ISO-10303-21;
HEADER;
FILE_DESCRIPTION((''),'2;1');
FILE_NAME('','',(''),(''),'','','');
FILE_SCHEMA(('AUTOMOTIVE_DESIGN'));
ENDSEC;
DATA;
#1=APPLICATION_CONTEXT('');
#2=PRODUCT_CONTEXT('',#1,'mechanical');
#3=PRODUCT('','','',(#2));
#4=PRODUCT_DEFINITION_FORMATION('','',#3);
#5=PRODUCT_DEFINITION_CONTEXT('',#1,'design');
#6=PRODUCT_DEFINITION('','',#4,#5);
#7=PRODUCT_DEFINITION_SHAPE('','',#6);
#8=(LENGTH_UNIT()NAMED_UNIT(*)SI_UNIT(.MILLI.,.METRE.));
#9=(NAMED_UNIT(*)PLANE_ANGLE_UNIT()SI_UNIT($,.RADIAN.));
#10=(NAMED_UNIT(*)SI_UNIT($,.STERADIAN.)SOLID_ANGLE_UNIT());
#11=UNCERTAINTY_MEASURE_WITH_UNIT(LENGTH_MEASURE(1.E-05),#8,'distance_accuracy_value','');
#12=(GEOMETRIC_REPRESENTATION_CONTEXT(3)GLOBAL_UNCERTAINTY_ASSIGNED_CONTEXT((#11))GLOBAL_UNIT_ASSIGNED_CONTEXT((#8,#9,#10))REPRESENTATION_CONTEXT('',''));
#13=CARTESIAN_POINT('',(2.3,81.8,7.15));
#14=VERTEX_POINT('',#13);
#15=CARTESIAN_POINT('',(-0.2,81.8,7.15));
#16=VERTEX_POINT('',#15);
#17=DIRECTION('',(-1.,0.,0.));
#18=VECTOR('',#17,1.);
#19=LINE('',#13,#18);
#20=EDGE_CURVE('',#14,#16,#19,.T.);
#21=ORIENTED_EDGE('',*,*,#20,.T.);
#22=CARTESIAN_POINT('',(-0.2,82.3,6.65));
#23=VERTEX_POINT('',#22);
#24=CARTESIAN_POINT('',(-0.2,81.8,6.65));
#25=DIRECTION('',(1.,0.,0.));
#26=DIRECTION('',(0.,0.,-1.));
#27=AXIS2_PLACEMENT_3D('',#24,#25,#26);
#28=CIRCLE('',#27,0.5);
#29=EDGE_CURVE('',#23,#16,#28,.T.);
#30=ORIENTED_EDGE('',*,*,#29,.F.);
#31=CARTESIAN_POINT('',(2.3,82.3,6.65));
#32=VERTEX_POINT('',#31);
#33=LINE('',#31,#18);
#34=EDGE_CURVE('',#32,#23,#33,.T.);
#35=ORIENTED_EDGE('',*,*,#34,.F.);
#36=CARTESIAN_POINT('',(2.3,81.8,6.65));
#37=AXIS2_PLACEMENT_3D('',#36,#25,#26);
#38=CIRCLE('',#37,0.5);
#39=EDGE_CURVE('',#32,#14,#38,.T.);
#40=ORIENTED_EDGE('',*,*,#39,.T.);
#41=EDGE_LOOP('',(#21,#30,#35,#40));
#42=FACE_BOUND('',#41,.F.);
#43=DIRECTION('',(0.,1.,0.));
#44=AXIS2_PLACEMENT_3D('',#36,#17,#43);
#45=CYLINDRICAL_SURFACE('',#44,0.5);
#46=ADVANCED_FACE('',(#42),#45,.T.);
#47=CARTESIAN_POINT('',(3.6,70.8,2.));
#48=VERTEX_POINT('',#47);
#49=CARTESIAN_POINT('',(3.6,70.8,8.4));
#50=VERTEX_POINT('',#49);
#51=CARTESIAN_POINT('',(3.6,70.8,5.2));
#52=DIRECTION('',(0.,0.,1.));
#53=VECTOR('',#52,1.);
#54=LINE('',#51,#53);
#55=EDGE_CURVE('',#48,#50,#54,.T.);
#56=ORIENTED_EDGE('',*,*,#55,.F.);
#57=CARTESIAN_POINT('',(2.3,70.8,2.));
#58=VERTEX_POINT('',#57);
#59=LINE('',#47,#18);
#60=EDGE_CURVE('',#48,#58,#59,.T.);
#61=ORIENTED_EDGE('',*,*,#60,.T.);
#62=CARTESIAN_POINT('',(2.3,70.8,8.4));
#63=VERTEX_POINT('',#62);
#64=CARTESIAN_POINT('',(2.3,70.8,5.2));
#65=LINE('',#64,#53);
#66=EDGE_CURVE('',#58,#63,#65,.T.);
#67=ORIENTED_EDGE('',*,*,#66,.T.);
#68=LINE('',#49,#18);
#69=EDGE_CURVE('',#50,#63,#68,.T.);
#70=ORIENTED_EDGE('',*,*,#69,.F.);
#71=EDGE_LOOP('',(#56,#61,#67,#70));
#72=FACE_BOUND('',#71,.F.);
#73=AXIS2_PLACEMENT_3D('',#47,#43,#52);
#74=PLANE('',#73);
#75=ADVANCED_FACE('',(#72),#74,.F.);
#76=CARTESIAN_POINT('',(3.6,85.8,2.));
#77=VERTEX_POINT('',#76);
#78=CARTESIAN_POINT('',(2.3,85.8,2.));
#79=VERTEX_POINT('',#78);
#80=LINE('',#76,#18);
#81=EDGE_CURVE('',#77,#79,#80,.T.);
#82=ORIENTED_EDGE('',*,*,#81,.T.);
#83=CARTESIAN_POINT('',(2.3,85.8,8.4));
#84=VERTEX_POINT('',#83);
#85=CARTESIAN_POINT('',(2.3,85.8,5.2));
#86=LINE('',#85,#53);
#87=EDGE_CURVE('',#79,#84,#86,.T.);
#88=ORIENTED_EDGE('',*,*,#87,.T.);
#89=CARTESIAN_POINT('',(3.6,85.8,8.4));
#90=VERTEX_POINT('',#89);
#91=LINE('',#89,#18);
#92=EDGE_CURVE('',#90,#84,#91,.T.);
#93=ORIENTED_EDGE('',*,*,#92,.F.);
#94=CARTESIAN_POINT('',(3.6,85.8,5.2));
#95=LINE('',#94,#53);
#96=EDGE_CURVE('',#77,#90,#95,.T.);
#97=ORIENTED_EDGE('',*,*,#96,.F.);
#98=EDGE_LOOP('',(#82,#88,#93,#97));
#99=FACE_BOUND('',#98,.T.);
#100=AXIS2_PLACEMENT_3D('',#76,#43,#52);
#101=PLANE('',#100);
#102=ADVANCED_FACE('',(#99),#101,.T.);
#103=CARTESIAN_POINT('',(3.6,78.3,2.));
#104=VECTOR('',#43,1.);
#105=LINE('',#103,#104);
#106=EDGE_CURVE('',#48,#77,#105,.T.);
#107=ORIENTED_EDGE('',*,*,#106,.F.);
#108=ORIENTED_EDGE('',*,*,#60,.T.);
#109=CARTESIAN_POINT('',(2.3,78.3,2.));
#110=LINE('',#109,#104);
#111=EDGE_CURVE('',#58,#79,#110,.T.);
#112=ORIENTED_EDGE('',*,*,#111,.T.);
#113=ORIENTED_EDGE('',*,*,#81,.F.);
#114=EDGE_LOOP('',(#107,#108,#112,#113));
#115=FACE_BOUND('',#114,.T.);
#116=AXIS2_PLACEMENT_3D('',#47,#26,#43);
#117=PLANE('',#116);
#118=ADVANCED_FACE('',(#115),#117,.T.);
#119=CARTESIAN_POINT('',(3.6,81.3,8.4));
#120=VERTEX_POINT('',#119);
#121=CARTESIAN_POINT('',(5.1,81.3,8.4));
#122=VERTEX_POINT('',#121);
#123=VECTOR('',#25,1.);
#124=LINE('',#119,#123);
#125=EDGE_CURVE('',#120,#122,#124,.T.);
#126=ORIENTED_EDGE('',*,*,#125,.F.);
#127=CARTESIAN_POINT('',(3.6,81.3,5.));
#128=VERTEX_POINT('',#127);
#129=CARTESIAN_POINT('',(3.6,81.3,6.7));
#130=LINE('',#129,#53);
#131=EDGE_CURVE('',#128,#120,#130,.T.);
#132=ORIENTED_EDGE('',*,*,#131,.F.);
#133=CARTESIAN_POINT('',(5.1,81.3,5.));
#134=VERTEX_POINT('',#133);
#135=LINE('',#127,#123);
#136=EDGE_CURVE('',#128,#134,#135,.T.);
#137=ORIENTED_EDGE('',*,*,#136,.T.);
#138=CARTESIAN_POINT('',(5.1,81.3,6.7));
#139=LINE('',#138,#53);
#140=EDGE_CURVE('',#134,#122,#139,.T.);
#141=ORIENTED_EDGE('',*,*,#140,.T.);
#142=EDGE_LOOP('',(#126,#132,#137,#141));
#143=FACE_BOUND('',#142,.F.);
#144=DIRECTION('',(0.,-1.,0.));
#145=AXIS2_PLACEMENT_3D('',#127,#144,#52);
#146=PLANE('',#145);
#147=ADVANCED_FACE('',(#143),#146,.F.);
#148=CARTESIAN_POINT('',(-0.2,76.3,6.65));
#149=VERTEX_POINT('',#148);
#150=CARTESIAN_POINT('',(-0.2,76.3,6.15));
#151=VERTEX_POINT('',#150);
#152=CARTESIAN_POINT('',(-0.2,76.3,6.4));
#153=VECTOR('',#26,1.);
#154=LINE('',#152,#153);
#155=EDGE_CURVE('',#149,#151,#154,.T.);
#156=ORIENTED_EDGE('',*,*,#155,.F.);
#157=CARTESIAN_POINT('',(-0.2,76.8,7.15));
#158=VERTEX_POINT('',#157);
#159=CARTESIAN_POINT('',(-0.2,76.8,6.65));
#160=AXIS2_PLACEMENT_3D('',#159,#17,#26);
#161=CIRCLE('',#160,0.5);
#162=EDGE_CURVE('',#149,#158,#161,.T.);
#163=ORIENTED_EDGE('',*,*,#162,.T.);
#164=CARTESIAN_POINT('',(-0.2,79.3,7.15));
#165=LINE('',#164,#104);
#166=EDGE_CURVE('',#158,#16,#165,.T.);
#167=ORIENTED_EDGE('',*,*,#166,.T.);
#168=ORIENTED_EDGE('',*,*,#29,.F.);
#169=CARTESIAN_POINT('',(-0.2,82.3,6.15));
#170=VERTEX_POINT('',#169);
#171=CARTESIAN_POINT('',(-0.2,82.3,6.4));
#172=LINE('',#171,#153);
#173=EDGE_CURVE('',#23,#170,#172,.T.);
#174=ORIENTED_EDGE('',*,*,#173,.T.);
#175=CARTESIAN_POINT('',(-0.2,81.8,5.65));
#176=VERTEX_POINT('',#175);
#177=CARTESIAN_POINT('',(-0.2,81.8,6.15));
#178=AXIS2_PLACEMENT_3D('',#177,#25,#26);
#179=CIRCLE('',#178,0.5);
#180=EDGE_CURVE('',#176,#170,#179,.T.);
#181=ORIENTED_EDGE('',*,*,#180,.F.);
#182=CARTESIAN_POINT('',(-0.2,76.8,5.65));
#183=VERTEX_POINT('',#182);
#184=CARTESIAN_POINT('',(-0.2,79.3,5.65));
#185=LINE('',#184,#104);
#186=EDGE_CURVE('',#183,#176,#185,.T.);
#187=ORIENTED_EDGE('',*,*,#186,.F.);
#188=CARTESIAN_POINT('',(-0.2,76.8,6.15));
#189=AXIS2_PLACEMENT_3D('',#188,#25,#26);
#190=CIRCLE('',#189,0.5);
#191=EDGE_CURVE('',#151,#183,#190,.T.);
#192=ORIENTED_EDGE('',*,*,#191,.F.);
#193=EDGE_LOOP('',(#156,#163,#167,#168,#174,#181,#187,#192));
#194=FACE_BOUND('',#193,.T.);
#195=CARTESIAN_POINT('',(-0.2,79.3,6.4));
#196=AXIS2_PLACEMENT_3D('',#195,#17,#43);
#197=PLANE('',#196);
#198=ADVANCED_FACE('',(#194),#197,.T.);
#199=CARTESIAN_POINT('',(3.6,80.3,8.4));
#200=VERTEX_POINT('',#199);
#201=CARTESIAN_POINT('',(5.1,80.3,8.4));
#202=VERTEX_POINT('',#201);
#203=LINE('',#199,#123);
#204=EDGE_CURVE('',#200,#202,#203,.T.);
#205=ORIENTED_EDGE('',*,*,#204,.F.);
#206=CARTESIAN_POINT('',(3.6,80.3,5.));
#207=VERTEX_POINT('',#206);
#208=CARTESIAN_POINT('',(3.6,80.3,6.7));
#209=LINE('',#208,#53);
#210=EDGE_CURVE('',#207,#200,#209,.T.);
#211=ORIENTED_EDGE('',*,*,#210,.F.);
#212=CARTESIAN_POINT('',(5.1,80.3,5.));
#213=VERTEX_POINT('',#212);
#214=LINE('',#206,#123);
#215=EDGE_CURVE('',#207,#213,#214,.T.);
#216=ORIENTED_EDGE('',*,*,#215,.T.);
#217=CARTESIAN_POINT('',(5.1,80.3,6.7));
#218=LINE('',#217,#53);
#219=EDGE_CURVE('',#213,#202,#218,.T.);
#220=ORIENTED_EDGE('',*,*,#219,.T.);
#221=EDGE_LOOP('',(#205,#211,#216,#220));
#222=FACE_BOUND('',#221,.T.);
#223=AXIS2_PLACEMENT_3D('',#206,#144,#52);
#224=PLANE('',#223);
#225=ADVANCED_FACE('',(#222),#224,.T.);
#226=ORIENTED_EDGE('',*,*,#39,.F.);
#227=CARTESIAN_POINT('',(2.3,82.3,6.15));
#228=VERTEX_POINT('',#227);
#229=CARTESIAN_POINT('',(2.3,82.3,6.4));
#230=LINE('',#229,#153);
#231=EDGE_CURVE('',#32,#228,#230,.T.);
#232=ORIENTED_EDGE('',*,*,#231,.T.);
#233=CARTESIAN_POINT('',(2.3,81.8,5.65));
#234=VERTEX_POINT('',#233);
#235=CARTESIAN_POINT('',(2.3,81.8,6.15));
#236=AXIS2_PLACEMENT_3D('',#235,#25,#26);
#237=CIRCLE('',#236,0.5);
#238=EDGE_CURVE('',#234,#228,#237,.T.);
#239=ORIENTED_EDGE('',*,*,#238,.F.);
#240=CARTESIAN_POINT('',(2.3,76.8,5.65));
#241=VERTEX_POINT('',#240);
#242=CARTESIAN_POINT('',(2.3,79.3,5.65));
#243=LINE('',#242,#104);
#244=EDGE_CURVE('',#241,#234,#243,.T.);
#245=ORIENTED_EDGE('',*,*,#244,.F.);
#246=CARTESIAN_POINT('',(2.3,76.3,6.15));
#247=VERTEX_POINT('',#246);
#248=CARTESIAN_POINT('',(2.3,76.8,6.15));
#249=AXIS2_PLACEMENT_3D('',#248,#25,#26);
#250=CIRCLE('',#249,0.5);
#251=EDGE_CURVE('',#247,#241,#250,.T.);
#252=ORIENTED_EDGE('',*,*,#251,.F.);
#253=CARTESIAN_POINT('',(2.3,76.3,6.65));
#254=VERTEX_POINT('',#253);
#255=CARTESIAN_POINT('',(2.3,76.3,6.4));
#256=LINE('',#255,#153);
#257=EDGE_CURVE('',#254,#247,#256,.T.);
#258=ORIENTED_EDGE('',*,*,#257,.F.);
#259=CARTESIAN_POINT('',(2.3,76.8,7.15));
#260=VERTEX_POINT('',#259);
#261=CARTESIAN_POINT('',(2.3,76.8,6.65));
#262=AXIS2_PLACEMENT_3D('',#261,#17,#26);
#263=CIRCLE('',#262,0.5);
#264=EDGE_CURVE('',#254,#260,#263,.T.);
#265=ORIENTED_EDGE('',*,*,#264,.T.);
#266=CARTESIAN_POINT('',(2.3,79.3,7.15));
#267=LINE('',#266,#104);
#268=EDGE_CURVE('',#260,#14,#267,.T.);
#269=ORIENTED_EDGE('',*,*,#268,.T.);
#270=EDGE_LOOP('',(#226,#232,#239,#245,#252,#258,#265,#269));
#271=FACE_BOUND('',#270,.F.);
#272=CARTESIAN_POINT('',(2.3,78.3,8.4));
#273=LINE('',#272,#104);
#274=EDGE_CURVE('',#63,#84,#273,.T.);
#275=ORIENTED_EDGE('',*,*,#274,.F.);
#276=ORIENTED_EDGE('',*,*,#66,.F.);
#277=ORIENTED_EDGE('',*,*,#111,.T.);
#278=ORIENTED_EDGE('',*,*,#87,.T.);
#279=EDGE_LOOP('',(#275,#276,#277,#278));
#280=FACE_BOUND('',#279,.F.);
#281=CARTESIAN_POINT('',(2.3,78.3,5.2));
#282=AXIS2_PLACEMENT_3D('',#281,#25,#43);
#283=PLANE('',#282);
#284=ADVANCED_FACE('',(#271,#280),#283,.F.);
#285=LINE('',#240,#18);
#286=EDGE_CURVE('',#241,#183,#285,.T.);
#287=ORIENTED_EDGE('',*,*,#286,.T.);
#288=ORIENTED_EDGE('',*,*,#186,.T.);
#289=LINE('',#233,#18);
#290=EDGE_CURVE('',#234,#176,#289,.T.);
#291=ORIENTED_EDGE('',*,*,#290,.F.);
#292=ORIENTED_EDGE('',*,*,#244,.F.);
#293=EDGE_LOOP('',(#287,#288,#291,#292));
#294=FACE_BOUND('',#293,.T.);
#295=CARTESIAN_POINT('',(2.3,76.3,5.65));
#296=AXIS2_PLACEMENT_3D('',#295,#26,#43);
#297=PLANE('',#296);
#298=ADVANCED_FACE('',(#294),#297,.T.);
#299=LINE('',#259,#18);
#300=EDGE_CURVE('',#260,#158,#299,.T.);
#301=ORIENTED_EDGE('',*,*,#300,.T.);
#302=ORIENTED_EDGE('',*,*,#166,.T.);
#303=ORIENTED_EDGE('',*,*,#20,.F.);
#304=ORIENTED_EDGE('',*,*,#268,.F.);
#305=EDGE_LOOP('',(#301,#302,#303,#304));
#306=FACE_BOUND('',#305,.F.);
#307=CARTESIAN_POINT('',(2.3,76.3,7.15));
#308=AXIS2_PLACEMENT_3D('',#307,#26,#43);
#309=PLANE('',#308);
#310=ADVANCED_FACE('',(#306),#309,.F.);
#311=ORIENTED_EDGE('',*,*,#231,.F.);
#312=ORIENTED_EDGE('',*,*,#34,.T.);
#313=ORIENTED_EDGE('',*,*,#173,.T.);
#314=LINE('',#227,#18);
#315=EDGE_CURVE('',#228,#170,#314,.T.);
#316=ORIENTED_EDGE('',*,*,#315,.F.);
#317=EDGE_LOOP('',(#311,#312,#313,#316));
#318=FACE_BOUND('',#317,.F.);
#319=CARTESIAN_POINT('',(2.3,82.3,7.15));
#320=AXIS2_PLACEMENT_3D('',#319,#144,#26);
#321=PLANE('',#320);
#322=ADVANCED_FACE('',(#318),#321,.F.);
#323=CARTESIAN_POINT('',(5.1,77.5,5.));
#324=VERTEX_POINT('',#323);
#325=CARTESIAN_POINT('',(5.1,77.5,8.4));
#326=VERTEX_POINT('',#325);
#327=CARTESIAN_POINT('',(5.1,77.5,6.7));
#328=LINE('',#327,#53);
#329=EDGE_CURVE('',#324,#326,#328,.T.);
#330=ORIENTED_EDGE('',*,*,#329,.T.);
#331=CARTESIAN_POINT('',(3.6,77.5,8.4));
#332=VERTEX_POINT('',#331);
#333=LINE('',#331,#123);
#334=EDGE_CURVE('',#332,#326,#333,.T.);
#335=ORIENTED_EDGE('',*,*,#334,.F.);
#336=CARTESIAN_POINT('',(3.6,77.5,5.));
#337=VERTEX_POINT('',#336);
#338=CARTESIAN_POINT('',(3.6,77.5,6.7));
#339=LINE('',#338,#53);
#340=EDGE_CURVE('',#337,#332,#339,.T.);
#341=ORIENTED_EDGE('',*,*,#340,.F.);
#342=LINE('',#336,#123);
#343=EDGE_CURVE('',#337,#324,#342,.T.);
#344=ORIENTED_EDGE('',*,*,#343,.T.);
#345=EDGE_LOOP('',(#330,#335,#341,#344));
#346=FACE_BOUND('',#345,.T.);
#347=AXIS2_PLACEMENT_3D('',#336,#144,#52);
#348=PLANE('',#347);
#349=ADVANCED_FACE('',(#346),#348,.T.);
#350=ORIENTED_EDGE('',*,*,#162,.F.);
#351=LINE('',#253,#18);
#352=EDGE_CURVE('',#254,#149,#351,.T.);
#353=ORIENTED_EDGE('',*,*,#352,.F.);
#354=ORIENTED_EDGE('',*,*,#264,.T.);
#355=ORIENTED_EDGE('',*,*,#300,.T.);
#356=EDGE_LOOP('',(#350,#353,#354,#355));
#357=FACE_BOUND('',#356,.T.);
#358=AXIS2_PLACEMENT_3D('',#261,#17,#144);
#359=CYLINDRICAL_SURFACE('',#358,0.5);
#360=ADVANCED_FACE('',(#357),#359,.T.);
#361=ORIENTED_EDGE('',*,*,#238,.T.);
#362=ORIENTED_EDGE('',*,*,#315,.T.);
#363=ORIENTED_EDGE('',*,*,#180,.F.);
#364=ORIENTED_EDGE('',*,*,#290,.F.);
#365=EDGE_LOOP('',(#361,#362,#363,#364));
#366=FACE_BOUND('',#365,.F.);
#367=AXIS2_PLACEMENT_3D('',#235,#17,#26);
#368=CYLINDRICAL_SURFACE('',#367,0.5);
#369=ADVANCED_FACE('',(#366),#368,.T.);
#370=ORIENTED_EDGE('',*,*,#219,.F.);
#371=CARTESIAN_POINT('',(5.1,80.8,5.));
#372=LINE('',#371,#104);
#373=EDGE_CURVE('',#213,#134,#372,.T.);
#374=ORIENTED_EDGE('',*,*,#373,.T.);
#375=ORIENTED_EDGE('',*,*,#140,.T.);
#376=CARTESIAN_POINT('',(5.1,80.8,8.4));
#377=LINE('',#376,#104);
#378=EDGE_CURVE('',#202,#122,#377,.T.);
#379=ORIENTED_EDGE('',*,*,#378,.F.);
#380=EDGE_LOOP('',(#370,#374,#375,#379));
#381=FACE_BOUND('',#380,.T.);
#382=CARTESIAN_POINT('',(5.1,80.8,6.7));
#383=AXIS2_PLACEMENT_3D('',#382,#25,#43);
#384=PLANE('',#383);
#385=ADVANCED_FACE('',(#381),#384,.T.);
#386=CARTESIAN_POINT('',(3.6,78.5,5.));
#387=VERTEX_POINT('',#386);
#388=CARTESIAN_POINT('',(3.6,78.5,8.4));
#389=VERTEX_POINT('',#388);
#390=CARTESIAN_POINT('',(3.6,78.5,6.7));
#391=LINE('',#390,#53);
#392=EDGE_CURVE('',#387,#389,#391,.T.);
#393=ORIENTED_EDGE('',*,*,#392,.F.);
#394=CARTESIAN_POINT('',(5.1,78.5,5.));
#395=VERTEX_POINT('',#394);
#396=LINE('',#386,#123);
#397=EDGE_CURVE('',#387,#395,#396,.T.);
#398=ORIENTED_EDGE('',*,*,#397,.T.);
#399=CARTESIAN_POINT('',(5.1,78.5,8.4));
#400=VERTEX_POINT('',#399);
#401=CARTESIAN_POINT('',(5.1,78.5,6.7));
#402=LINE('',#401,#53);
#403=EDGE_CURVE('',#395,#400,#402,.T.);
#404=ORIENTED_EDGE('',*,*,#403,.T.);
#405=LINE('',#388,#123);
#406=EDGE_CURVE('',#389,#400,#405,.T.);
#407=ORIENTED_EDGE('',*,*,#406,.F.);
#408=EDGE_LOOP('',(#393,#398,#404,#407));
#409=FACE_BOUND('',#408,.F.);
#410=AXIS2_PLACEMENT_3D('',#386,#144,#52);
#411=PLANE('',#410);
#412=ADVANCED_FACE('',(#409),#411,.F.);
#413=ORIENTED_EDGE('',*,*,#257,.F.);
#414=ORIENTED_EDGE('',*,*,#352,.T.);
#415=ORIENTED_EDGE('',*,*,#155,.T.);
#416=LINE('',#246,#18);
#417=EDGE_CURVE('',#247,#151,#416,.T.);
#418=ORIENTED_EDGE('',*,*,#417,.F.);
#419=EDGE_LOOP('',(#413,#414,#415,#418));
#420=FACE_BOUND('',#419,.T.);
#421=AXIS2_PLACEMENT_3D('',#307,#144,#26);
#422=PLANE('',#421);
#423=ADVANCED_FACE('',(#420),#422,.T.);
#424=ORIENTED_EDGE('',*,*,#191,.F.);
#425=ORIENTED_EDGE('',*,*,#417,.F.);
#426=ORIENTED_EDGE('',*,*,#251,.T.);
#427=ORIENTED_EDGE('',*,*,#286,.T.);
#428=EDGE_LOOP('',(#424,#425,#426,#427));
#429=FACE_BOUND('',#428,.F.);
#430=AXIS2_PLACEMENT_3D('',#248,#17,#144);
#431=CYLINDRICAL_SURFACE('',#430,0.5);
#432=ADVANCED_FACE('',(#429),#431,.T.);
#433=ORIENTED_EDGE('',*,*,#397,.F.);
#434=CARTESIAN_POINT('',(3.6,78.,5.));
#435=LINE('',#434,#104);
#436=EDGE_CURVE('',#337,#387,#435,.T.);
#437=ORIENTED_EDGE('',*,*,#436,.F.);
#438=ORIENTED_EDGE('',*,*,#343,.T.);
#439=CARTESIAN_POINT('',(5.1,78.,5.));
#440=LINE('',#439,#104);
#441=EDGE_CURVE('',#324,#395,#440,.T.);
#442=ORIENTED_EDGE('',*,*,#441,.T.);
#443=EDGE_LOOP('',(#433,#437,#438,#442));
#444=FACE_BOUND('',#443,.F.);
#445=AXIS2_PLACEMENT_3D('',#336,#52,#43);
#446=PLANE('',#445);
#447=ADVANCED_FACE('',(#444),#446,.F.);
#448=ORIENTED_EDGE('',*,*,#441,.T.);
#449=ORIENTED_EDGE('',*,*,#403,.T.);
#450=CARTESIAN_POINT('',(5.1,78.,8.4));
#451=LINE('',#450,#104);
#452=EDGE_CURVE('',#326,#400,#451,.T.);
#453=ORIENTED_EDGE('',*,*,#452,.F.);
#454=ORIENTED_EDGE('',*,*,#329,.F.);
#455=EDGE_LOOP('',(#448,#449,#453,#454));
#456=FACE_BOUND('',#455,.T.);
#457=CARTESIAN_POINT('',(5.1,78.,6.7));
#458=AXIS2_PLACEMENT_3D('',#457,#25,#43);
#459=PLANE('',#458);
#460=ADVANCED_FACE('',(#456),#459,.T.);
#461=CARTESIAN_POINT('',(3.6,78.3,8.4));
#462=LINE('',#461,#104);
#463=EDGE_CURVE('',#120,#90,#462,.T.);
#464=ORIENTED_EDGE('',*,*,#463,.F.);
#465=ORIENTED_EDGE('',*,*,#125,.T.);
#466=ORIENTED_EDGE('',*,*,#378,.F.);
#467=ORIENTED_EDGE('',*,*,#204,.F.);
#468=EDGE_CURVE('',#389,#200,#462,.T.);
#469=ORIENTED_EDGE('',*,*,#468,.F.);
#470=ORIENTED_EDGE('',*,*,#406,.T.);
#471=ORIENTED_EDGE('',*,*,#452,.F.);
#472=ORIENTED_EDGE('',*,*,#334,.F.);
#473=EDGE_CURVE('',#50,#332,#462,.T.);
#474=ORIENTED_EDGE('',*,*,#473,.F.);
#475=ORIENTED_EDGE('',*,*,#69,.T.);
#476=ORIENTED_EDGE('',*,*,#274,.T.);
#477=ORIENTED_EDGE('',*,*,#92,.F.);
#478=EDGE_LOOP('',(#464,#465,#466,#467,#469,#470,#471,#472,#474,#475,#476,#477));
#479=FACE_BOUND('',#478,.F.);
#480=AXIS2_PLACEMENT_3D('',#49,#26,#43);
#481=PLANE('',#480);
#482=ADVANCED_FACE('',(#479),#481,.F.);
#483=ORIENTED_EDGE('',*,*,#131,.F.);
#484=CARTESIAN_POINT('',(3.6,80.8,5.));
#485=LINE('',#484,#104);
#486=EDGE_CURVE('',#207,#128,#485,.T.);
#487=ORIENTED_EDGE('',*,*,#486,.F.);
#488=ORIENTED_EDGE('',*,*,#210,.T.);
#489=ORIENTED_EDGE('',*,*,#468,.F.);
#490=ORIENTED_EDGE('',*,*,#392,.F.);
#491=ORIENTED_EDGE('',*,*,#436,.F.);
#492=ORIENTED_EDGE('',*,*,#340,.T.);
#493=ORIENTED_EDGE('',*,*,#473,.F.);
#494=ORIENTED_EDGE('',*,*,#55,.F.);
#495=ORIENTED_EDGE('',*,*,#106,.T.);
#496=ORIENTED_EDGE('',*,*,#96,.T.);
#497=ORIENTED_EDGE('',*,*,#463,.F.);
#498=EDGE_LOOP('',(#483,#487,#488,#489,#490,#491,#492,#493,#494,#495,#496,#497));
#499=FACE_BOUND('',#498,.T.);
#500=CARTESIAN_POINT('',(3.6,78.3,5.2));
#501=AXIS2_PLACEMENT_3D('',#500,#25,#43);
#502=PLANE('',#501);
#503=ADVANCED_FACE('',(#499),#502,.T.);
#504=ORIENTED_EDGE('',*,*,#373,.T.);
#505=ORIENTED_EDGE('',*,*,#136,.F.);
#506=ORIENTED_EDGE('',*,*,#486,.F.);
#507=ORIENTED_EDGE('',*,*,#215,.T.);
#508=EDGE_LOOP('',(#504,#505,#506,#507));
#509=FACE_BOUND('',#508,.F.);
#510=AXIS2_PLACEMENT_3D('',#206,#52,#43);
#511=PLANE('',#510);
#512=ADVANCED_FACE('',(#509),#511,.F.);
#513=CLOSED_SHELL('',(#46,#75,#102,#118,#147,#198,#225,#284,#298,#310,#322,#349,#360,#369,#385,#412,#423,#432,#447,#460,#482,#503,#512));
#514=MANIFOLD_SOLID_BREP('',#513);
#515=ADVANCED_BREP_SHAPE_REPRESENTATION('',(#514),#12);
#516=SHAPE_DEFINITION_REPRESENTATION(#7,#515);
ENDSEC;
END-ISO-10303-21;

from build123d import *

# Parameters (mm, degrees)
SKETCH019_W  = 15
SKETCH019_H  = 6.4
PAD010_DEPTH = 1.3
SKETCH020_W  = 6
SKETCH020_H  = 1.5
PAD011_DEPTH = 2.5
SKETCH021_W  = 1
SKETCH021_H  = 3.4
PAD012_DEPTH = 1.5
FILLET_R     = 0.5


with BuildPart() as part:
    # Sketch019 → Pad010 (new body)
    with BuildSketch(Plane.YZ.offset(3.6)):
        with Locations((78.3, 5.2)):
            Rectangle(SKETCH019_W, SKETCH019_H)
    extrude(amount=-PAD010_DEPTH)

    # Sketch020 (on Face6 of Pad010) → Pad011 (join)
    with BuildSketch(Plane(origin=(2.3, 0, 0), x_dir=(0, 1, 0), z_dir=(-1, 0, 0))):
        with Locations((79.3, -6.4)):
            Rectangle(SKETCH020_W, SKETCH020_H)
    extrude(amount=PAD011_DEPTH)

    # Sketch021 (on Face4 of Pad011) → Pad012 (join)
    with BuildSketch(Plane.YZ.offset(3.6)):
        with Locations((78, 6.7)):
            Rectangle(SKETCH021_W, SKETCH021_H)
        with Locations((80.8, 6.7)):
            Rectangle(SKETCH021_W, SKETCH021_H)
    extrude(amount=PAD012_DEPTH)

    # Fillet
    fillet_edges = [part.edges().sort_by_distance(p)[0] for p in [
        (1.05, 76.3, 7.15),
        (1.05, 76.3, 5.65),
        (1.05, 82.3, 5.65),
        (1.05, 82.3, 7.15),
    ]]
    fillet(fillet_edges, radius=FILLET_R)


solid = part.part
